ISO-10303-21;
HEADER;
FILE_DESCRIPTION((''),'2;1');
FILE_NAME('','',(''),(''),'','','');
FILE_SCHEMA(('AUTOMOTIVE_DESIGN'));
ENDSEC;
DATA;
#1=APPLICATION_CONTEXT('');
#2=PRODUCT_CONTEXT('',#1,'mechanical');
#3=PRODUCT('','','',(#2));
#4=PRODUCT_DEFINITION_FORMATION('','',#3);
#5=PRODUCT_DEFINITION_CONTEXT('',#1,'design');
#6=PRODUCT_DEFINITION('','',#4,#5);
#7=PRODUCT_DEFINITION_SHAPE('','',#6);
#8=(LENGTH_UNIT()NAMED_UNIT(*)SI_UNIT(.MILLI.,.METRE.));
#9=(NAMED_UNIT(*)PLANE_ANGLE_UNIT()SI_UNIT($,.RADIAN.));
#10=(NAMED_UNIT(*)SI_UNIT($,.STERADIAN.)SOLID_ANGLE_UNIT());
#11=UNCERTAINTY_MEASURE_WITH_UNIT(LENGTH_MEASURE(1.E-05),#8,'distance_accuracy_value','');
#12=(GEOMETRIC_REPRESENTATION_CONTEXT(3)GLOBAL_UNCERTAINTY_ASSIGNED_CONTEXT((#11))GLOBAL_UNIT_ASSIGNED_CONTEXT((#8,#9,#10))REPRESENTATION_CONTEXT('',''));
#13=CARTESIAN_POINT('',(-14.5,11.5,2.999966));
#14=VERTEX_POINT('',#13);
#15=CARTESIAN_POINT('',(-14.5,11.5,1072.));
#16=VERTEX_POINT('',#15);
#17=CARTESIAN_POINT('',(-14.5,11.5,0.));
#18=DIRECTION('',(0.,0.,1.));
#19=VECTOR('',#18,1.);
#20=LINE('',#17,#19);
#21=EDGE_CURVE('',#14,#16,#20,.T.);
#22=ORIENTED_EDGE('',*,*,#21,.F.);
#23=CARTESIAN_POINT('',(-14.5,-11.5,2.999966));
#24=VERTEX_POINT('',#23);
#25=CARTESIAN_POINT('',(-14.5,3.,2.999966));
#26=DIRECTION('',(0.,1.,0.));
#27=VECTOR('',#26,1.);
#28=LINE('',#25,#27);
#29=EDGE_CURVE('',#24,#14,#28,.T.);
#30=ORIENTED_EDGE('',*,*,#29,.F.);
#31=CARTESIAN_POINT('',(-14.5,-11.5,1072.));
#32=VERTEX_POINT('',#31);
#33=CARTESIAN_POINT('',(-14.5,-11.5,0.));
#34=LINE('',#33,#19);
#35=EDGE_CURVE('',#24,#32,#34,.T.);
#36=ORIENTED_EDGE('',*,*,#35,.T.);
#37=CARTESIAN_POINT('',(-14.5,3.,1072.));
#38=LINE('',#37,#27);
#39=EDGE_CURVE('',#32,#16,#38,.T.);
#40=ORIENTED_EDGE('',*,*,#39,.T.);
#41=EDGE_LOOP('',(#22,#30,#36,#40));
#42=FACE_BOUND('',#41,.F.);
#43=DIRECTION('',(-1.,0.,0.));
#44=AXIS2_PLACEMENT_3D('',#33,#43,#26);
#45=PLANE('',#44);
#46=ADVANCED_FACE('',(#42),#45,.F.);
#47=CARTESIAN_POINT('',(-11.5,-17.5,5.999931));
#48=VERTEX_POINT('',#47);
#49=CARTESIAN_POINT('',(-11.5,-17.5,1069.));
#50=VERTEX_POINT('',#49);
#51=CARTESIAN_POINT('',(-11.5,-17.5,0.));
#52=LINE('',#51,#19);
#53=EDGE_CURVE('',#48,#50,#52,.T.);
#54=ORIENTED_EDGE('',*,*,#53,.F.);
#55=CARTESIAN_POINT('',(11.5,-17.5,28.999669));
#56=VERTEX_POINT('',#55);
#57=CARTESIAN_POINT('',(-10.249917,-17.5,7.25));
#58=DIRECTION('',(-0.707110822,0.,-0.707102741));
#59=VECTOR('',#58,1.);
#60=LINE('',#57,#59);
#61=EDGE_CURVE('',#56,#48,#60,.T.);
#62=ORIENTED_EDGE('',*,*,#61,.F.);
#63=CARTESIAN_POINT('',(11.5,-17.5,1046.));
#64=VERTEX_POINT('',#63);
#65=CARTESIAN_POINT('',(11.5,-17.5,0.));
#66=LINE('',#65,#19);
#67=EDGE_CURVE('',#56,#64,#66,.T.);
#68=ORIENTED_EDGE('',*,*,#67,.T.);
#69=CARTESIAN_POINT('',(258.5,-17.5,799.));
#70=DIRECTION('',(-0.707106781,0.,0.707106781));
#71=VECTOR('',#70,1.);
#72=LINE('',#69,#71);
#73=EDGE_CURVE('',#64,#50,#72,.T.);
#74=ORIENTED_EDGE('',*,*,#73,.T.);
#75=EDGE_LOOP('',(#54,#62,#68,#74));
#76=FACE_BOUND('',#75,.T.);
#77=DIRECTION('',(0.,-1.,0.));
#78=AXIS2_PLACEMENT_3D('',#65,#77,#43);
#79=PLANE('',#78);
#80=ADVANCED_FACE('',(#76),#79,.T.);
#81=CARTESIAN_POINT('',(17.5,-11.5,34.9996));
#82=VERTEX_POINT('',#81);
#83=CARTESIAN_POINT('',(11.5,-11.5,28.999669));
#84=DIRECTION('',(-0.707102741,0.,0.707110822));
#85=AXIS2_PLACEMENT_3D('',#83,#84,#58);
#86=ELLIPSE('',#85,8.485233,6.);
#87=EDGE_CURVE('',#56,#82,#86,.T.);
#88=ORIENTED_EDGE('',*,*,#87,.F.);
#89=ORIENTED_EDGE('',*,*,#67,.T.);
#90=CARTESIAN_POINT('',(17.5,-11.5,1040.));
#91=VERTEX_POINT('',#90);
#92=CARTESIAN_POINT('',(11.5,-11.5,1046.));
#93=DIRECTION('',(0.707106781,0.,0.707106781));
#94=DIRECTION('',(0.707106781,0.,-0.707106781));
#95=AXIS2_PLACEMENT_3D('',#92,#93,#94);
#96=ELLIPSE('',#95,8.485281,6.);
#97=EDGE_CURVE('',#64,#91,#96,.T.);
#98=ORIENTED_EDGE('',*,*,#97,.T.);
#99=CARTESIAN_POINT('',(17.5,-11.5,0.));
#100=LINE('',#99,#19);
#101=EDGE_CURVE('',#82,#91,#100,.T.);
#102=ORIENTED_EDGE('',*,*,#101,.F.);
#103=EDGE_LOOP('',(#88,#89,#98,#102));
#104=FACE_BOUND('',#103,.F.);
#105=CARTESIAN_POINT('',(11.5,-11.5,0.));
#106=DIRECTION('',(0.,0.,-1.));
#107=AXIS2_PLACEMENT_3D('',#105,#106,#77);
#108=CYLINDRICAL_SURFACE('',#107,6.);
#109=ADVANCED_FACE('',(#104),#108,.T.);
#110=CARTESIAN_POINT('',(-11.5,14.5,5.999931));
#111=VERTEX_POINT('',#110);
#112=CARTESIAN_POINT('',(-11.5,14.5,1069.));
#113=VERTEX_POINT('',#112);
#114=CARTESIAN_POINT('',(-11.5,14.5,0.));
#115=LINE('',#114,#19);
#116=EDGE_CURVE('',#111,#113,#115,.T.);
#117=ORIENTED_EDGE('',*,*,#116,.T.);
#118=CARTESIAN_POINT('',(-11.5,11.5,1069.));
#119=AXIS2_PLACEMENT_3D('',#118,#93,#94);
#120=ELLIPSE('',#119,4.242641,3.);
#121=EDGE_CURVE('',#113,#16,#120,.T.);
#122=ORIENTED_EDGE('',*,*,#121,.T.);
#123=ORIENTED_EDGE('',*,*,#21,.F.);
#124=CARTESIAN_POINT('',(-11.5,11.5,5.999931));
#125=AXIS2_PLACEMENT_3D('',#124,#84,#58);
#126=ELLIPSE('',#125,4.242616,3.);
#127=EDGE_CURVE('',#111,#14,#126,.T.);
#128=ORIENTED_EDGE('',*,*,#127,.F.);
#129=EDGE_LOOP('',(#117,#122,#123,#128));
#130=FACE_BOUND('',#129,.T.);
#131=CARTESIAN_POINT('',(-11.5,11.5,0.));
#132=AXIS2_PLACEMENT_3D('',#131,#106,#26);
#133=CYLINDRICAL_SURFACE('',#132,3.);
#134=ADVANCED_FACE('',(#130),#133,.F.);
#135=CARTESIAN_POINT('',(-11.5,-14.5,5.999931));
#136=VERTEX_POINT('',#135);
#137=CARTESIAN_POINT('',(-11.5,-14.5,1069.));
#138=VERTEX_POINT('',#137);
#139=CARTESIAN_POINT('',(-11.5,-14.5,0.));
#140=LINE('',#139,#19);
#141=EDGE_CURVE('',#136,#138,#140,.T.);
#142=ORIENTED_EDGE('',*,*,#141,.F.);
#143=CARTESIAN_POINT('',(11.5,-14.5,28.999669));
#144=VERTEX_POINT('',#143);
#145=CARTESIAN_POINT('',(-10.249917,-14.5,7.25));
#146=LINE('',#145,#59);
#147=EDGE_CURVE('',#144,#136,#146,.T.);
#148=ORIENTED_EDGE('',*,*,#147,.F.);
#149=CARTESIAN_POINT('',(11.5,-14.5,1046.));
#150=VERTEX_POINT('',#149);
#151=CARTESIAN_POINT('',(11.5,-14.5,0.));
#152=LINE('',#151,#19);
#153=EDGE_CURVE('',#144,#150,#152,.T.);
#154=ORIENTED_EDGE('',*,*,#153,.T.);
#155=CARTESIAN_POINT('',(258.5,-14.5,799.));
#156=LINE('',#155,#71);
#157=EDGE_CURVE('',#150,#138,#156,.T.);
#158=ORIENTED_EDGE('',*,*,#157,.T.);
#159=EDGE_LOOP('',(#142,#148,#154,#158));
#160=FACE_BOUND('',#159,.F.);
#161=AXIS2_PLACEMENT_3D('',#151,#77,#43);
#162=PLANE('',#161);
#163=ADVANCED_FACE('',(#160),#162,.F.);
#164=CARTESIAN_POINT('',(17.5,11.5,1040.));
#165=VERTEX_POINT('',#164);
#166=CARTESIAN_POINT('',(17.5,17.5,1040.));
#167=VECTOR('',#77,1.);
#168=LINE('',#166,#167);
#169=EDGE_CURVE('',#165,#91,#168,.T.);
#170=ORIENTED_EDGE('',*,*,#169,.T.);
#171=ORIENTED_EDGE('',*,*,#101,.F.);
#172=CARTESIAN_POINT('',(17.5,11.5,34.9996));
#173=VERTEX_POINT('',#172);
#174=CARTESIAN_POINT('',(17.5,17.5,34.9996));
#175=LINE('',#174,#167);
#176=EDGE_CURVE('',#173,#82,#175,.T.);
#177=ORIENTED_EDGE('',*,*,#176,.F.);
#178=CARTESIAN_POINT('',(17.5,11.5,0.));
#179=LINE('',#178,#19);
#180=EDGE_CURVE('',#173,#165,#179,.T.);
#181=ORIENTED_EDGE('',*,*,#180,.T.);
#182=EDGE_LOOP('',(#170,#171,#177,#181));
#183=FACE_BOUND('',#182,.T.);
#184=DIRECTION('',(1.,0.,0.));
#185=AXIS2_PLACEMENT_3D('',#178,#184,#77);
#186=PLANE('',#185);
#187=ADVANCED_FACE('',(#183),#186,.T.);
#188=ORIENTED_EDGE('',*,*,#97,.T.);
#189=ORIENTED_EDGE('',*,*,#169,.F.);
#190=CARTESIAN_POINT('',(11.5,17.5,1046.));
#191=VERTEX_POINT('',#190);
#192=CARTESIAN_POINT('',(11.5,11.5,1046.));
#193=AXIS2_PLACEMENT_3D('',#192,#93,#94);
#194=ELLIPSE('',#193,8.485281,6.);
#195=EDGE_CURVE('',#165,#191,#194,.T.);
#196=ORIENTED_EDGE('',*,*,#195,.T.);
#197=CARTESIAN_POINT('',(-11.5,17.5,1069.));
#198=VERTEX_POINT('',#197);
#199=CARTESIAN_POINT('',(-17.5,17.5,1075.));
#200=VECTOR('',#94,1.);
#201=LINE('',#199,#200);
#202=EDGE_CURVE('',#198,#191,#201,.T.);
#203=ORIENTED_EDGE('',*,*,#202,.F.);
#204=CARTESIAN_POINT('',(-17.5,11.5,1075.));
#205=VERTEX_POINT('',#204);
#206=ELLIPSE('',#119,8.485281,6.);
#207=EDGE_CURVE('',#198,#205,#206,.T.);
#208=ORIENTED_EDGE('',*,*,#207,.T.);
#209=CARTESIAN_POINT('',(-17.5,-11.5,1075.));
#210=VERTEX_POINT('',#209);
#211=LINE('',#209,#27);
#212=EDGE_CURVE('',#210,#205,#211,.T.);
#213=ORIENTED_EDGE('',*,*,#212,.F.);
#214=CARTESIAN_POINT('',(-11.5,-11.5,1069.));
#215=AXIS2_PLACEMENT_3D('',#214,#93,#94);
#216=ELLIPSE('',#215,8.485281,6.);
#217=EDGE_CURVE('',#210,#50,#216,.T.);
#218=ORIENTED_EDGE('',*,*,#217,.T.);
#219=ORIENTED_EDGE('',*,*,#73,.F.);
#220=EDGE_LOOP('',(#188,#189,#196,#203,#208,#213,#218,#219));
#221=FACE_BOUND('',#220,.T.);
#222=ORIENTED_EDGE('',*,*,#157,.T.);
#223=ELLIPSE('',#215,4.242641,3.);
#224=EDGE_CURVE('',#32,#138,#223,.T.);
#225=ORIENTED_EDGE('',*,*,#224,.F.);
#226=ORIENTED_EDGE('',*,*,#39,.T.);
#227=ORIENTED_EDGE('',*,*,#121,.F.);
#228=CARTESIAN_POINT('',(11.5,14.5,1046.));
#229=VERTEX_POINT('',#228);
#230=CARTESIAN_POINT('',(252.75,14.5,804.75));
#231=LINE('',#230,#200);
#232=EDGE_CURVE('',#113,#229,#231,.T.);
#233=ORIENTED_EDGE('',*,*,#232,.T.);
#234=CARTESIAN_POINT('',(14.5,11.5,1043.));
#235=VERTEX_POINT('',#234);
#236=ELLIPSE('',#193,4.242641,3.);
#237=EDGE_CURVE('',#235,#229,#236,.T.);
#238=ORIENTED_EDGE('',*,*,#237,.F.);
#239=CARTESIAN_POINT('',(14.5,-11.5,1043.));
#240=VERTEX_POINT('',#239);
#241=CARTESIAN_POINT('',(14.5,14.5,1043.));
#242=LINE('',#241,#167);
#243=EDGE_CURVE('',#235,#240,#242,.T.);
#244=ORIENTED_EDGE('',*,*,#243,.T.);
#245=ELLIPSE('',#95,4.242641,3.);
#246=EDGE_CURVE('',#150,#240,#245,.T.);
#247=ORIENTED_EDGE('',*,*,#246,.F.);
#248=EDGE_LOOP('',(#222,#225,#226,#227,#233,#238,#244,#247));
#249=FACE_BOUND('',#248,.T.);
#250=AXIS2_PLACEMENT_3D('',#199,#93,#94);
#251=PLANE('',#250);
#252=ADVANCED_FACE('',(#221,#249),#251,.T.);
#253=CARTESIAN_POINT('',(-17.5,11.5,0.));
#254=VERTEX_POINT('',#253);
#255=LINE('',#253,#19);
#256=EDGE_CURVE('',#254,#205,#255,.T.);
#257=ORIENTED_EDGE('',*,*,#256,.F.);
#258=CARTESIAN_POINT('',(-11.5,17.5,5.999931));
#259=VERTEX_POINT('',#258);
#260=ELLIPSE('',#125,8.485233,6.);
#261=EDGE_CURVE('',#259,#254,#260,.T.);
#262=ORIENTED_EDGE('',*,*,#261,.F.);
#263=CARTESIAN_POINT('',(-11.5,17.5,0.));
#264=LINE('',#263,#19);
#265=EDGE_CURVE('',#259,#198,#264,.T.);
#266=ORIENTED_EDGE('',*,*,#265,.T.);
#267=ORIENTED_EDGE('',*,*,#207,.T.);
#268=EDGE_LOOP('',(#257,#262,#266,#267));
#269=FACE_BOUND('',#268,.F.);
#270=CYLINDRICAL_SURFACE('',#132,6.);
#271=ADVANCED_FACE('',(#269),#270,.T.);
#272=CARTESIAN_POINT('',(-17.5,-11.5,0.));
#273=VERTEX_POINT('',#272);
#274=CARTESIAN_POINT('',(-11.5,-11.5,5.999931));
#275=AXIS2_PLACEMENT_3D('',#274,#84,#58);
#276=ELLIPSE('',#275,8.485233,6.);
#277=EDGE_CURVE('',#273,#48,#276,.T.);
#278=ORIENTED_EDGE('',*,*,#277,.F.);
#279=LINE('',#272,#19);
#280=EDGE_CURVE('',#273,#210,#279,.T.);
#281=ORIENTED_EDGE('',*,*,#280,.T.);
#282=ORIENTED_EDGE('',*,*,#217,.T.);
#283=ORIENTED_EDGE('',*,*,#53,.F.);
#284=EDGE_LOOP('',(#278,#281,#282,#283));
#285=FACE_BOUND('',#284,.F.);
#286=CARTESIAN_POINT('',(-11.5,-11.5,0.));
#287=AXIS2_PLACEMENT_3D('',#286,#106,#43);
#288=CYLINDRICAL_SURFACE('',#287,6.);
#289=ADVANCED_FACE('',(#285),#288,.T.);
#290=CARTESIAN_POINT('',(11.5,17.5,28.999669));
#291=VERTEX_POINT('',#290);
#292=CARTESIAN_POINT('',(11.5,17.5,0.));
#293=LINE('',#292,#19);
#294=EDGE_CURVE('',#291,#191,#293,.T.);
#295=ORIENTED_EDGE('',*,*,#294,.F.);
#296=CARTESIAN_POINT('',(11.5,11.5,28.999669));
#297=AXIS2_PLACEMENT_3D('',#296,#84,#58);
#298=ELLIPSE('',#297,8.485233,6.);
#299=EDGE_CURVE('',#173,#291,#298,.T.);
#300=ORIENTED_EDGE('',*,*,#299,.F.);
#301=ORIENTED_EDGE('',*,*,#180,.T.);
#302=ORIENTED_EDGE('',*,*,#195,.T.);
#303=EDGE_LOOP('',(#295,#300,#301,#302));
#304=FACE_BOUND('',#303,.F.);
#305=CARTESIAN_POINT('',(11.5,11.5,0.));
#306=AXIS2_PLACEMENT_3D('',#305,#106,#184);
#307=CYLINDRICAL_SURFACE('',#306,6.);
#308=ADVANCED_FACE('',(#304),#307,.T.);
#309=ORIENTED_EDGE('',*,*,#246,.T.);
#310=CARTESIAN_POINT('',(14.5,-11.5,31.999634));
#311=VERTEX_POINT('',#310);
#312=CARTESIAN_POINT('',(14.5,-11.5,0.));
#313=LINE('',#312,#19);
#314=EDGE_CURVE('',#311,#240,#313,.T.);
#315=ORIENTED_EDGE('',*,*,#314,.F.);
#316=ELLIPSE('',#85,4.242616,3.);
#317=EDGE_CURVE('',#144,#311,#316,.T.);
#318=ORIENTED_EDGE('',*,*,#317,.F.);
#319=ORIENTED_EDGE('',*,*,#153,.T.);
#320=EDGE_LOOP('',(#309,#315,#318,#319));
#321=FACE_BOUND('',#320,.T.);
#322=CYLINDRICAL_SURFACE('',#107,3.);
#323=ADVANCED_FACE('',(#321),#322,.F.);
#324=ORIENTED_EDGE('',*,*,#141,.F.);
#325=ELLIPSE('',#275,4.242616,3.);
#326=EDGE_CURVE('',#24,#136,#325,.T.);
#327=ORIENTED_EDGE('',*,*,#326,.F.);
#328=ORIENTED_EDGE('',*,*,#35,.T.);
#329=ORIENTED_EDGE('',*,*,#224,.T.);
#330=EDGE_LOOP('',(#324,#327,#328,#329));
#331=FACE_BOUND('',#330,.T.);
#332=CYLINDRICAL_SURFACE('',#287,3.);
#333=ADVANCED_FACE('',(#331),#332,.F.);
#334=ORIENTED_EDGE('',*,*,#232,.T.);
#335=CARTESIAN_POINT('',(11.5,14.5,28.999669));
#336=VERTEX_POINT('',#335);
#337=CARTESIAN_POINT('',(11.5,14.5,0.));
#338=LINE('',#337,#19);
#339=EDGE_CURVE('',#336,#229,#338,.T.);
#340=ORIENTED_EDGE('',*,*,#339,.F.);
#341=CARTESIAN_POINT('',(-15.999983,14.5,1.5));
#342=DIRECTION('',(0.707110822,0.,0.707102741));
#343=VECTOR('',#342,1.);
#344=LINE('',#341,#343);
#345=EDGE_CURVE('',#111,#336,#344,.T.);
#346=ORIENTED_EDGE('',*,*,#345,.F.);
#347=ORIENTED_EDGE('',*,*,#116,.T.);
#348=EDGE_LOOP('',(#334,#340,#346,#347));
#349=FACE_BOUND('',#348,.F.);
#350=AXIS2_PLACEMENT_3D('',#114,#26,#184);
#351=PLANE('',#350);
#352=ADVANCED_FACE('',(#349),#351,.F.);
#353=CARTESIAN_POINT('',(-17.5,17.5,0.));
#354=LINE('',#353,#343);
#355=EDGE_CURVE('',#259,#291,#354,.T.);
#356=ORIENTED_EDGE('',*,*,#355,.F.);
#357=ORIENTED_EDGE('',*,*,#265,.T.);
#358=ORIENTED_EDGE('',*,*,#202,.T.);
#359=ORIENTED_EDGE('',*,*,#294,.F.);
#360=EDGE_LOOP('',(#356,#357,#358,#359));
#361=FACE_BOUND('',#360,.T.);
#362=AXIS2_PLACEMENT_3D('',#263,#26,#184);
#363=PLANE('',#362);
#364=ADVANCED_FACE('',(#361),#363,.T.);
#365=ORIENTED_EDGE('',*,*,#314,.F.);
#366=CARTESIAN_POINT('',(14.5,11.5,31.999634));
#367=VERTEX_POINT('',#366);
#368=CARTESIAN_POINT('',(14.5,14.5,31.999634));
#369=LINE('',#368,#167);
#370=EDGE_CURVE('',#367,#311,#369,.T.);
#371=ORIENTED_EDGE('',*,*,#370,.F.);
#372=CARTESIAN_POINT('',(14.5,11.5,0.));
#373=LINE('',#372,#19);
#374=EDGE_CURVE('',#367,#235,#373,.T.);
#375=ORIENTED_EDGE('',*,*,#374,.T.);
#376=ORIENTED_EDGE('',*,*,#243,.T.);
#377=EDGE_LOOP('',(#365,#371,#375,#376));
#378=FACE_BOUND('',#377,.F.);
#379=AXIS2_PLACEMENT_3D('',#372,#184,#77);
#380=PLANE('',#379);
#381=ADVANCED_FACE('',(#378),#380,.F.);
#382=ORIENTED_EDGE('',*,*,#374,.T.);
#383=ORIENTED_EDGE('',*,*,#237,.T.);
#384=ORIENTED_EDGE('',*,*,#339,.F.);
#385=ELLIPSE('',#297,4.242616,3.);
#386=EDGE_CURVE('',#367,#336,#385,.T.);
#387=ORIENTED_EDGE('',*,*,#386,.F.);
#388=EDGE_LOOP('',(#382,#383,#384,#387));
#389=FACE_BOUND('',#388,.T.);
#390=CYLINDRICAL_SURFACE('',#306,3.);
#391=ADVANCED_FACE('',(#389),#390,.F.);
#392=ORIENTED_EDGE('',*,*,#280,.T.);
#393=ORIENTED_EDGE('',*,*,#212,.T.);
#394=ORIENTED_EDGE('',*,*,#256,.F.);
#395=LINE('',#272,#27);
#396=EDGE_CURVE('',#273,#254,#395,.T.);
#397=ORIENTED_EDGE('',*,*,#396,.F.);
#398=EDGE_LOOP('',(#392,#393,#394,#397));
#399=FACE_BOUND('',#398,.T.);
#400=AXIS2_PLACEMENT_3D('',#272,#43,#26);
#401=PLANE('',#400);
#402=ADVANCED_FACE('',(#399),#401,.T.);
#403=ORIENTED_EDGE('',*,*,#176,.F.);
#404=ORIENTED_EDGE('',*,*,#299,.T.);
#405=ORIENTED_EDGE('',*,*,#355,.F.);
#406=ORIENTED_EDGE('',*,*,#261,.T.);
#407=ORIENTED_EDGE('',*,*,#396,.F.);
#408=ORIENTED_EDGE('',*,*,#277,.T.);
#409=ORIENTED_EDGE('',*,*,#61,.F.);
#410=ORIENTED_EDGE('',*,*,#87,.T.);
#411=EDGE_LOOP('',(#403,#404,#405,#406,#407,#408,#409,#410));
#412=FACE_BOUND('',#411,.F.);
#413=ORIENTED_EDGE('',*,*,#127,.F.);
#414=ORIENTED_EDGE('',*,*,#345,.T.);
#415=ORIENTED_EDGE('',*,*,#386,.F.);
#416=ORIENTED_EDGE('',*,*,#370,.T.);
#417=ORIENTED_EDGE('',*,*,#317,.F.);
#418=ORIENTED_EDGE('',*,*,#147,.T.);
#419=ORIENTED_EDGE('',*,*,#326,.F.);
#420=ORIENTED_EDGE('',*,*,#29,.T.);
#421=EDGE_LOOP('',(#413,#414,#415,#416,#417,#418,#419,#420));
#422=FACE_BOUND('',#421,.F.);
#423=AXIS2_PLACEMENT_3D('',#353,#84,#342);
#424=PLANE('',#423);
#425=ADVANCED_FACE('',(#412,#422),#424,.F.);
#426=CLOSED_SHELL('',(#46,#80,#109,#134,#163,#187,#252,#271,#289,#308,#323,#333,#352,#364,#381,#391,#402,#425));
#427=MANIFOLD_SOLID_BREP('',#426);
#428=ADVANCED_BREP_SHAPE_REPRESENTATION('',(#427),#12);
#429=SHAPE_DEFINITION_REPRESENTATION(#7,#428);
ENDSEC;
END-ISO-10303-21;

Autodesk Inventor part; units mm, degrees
ref_plane "YZ Plane" through (0, 0, 0) normal (1, 0, 0) x (0, 1, 0)
ref_plane "Počáteční rovina" through (0, 0, 0) normal (0, 0, 1) x (1, 0, 0)
ref_plane "Koncová rovina" through (0, 0, 1075) normal (0, 0, 1) x (1, 0, 0)
sketch "Náčrt1" plane through (0, 0, 0) normal (0, 0, 1) x (1, 0, 0)
  line L0 (-11.5, 17.5) -> (11.5, 17.5)
  line L1 (17.5, 11.5) -> (17.5, -11.5)
  line L2 (11.5, -17.5) -> (-11.5, -17.5)
  line L3 (-17.5, -11.5) -> (-17.5, 11.5)
  arc A0 (-11.5, 17.5) -> (-17.5, 11.5) centre (-11.5, 11.5) ccw
  arc A1 (17.5, 11.5) -> (11.5, 17.5) centre (11.5, 11.5) ccw
  arc A2 (11.5, -17.5) -> (17.5, -11.5) centre (11.5, -11.5) ccw
  arc A3 (-17.5, -11.5) -> (-11.5, -17.5) centre (-11.5, -11.5) ccw
  line L4 (-21.8698, 0) -> (21.8698, 0) construction
  line L5 (0, -21.8698) -> (0, 21.8698) construction
  arc A4 (-11.5, 14.5) -> (-14.5, 11.5) centre (-11.5, 11.5) ccw
  line L6 (-11.5, 14.5) -> (11.5, 14.5)
  arc A5 (14.5, 11.5) -> (11.5, 14.5) centre (11.5, 11.5) ccw
  line L7 (14.5, 11.5) -> (14.5, -11.5)
  arc A6 (11.5, -14.5) -> (14.5, -11.5) centre (11.5, -11.5) ccw
  line L8 (11.5, -14.5) -> (-11.5, -14.5)
  arc A7 (-14.5, -11.5) -> (-11.5, -14.5) centre (-11.5, -11.5) ccw
  line L9 (-14.5, -11.5) -> (-14.5, 11.5)
  point P0 (-17.5, 17.5)
  point P1 (17.5, -17.5)
  point P2 (17.5, 17.5)
  dimension "b" = 35
  dimension "msp_r" = 6
  dimension "d8" = 17.5
  dimension "d9" = 17.5
  dimension "d10" = 3
extrude "Těleso" add sketch "Náčrt1" along normal up to surface (1075 mm away) from surface at 0
sketch "Sketch2" plane through (0, 0, 0) normal (0, 0, 1) x (1, 0, 0)
  line L0 (0, 0) -> (10, 0)
ref_plane "Work Plane3" through (0, 0, 0) normal (0, -1, 0) x (1, 0, 0)
sketch "Sketch3" plane through (0, 0, 0) normal (0, -1, 0) x (1, 0, 0)
  line L0 (-2, 0) -> (12, 0)
  line L1 (-2, 1075) -> (12, 1075)
  dimension "d14" = 1075
sketch "Náčrt4" plane through (11.5, 17.5, 1075) normal (0, 1, 0) x (1, 0, 0)
  line L0 (-23, 1075) -> (-29, 1075) projected
  line L1 (6, 1075) -> (6, 0) projected
  line L2 (-29, 1075) -> (6, 1075)
  line L3 (6, 1075) -> (6, 1040.0004)
  line L4 (-29, 1075) -> (6, 1040.0004)
  line L5 (6, 0) -> (6, 35)
  line L6 (-23, 0) -> (-29, 0) projected
  line L7 (-29, 0) -> (6, 35)
  line L8 (-29, 0) -> (6, 0)
  point P0 (-11.5, 1075)
  point P1 (-26, 0)
  dimension "d15" = 45
  dimension "d16" = 45
extrude "Vysunutí2" cut sketch "Náčrt4" against normal through all
equation "\"msp_r\" = 2 * ParT"
equation "\"d8\" = d9"
equation "\"d9\" = 0.5 * b"
equation "\"d10\" = ParT"
equation "\"G_OFFSET_START\" = 0"
equation "\"G_OFFSET_END\" = 0"
equation "\"d12\" = G_OFFSET_END + B_L"
equation "\"G_L\" = d14"
equation "\"B_L\" = 1075"
equation "\"ParT\" = 3"
properties part number "CSN 426935 - 35x35x3-1075" material "Nerezová ocel"
